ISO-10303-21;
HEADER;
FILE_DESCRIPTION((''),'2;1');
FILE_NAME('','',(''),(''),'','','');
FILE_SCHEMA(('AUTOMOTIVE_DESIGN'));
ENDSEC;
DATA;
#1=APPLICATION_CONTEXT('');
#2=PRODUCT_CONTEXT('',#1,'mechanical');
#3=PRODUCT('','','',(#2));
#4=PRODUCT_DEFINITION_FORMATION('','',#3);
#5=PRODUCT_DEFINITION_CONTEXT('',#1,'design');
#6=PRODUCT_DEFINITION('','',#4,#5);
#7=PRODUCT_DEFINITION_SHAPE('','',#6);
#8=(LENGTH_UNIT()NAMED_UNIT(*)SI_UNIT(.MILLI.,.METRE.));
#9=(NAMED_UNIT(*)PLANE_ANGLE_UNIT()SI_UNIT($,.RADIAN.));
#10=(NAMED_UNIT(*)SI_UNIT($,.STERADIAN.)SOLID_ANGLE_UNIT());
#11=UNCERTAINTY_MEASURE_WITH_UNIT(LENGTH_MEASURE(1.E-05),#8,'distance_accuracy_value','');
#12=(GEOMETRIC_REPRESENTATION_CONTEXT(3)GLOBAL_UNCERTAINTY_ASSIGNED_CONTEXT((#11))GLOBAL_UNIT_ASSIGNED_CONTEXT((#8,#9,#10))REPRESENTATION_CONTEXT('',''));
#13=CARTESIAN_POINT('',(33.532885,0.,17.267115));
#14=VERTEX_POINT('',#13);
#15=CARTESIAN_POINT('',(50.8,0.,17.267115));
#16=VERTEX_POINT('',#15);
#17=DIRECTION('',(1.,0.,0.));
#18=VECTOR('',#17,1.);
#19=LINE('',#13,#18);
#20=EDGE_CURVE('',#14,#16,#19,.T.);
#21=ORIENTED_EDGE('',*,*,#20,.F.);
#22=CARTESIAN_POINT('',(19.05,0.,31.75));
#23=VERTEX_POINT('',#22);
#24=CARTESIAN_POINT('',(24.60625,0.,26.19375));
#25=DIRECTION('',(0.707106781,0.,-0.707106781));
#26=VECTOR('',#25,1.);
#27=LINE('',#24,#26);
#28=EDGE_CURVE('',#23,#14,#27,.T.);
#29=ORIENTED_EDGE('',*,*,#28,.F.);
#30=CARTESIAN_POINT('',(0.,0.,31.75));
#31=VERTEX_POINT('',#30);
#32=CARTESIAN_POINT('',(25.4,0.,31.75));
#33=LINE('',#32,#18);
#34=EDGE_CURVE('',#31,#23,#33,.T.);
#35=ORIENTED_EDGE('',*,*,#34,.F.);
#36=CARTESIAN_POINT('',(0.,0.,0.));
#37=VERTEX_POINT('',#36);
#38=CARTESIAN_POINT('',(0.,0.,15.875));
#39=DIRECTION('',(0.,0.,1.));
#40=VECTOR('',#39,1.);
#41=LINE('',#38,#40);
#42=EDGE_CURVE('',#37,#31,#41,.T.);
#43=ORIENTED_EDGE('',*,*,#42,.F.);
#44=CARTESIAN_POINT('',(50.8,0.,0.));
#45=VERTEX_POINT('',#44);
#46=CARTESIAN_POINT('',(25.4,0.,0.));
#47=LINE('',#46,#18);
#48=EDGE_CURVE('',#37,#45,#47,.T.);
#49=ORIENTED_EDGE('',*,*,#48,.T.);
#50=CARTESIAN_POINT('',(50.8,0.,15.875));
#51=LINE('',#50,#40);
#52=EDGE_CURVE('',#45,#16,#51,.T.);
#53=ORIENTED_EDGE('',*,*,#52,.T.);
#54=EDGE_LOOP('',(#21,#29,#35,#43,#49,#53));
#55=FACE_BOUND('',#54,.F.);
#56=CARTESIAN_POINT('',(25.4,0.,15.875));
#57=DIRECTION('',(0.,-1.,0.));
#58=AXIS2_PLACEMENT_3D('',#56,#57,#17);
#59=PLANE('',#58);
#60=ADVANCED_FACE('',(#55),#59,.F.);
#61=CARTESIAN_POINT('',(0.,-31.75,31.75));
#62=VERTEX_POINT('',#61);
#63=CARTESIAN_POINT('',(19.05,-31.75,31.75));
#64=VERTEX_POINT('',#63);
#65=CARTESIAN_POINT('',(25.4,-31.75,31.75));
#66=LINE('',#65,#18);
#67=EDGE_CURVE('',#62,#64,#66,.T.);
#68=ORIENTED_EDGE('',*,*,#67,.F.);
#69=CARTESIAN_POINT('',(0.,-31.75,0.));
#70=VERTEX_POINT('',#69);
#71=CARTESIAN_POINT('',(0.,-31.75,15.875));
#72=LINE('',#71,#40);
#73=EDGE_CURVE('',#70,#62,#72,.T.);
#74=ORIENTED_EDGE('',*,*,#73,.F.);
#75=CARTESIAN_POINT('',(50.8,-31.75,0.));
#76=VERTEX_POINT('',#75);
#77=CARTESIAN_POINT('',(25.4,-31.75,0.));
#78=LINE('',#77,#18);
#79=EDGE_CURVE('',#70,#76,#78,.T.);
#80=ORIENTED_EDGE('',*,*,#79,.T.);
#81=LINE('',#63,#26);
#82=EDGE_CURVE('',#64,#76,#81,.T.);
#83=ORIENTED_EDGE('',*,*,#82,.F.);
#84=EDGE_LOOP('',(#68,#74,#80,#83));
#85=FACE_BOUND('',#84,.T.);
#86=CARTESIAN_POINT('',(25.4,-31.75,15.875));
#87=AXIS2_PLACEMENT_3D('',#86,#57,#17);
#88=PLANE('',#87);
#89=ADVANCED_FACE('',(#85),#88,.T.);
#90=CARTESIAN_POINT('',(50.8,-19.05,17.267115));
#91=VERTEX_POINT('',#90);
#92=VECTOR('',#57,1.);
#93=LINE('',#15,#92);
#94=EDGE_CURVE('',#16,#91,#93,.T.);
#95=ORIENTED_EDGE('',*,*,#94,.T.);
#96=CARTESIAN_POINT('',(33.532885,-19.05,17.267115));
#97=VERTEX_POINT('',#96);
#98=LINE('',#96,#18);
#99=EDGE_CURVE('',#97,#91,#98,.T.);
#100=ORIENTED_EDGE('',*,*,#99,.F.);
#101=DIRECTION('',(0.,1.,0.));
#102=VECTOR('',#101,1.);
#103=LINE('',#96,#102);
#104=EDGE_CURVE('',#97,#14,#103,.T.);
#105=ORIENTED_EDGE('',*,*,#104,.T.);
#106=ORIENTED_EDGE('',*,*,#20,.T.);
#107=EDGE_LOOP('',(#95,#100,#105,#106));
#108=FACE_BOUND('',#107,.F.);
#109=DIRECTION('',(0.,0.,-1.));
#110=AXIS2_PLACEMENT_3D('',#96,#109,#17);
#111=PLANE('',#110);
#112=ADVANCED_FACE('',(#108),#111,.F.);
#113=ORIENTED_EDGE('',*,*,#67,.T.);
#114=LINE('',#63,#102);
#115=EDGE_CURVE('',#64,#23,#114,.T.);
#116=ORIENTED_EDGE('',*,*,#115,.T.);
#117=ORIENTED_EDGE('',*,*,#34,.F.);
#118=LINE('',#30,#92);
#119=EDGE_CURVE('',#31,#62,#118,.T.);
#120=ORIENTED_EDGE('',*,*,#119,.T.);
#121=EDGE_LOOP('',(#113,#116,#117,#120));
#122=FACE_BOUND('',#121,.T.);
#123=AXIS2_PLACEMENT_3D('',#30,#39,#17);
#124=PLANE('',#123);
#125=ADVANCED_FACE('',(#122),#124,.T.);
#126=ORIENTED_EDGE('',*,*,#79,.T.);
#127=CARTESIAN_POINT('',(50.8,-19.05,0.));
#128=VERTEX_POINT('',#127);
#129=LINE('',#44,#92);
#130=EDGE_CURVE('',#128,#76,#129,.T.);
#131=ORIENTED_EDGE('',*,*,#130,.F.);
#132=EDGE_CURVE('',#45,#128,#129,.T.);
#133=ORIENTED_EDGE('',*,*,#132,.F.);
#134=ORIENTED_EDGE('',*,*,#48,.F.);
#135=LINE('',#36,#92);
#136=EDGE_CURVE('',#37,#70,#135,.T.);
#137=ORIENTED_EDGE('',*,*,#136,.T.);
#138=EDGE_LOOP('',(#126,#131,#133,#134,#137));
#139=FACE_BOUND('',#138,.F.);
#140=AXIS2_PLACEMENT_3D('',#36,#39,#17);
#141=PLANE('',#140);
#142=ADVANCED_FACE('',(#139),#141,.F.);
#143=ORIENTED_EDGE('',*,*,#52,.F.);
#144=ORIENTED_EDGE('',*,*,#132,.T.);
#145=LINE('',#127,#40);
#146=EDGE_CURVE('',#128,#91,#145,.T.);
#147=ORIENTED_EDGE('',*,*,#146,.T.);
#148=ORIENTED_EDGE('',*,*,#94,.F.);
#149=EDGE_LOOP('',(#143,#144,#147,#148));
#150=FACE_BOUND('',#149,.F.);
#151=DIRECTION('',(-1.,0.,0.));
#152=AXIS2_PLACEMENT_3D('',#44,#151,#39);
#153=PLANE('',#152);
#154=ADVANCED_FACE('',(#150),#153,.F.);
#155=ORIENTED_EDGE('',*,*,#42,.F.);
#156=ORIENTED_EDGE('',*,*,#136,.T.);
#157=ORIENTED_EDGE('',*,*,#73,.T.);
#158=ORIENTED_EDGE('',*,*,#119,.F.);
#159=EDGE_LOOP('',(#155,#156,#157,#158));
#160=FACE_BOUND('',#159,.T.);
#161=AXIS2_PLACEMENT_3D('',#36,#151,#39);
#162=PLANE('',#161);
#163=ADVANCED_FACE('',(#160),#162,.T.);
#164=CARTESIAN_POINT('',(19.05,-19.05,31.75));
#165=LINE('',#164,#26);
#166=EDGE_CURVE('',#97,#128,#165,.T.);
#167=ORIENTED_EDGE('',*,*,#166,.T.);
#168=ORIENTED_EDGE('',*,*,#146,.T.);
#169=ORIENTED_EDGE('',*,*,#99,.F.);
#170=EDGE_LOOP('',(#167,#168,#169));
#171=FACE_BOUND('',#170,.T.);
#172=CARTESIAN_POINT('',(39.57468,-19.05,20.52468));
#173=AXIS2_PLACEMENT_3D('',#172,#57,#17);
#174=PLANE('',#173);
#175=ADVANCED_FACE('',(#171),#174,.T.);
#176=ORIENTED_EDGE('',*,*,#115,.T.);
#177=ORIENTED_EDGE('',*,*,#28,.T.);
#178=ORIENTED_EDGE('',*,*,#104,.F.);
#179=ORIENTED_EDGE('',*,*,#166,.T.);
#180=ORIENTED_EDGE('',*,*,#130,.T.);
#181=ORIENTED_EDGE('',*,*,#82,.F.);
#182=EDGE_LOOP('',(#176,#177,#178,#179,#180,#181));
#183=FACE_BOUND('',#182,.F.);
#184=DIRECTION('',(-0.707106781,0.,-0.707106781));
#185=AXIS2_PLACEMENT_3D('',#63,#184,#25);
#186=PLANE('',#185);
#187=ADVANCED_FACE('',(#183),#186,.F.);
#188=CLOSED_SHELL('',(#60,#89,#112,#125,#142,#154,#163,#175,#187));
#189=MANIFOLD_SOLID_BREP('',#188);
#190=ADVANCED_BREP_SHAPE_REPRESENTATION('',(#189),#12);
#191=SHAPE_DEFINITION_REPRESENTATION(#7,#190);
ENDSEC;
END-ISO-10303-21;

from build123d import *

# Parameters (mm, degrees)
F0_W     = 50.8
F0_H     = 31.75
F1_DEPTH = 31.75
F3_DEPTH = 12.7
F5_DEPTH = 25.4
F7_DEPTH = 25.4


with BuildPart() as f1:
    # F0 (on Front) → F1 (new body)
    with BuildSketch(Plane.XZ):
        with Locations((25.4, 15.875)):
            Rectangle(F0_W, F0_H)
    extrude(amount=F1_DEPTH)

    # F2 (on face) → F3 (cut)
    with BuildSketch(Plane.XZ.offset(31.75)):
        Polygon((50.8, 31.75), (19.05, 31.75), (50.8, 0), align=None)
    extrude(amount=-F3_DEPTH, mode=Mode.SUBTRACT)

    # F4 (on face) → F5 (cut)
    with BuildSketch(Plane(origin=(0, 0, 0), x_dir=(-1, 0, 0), z_dir=(0, 1, 0))):
        Polygon((-38.1, 17.2671154141), (-25.4, 31.75), (-50.8, 31.75), (-50.8, 17.2671154141), align=None)
    extrude(amount=-F5_DEPTH, mode=Mode.SUBTRACT)

    # F6 (on face) → F7 (cut)
    with BuildSketch(Plane.XZ.offset(19.05)):
        Polygon((33.5328845859, 17.2671154141), (38.1, 17.2671154141), (25.4, 31.75), (19.05, 31.75), align=None)
    extrude(amount=-F7_DEPTH, mode=Mode.SUBTRACT)


solid = f1.part
